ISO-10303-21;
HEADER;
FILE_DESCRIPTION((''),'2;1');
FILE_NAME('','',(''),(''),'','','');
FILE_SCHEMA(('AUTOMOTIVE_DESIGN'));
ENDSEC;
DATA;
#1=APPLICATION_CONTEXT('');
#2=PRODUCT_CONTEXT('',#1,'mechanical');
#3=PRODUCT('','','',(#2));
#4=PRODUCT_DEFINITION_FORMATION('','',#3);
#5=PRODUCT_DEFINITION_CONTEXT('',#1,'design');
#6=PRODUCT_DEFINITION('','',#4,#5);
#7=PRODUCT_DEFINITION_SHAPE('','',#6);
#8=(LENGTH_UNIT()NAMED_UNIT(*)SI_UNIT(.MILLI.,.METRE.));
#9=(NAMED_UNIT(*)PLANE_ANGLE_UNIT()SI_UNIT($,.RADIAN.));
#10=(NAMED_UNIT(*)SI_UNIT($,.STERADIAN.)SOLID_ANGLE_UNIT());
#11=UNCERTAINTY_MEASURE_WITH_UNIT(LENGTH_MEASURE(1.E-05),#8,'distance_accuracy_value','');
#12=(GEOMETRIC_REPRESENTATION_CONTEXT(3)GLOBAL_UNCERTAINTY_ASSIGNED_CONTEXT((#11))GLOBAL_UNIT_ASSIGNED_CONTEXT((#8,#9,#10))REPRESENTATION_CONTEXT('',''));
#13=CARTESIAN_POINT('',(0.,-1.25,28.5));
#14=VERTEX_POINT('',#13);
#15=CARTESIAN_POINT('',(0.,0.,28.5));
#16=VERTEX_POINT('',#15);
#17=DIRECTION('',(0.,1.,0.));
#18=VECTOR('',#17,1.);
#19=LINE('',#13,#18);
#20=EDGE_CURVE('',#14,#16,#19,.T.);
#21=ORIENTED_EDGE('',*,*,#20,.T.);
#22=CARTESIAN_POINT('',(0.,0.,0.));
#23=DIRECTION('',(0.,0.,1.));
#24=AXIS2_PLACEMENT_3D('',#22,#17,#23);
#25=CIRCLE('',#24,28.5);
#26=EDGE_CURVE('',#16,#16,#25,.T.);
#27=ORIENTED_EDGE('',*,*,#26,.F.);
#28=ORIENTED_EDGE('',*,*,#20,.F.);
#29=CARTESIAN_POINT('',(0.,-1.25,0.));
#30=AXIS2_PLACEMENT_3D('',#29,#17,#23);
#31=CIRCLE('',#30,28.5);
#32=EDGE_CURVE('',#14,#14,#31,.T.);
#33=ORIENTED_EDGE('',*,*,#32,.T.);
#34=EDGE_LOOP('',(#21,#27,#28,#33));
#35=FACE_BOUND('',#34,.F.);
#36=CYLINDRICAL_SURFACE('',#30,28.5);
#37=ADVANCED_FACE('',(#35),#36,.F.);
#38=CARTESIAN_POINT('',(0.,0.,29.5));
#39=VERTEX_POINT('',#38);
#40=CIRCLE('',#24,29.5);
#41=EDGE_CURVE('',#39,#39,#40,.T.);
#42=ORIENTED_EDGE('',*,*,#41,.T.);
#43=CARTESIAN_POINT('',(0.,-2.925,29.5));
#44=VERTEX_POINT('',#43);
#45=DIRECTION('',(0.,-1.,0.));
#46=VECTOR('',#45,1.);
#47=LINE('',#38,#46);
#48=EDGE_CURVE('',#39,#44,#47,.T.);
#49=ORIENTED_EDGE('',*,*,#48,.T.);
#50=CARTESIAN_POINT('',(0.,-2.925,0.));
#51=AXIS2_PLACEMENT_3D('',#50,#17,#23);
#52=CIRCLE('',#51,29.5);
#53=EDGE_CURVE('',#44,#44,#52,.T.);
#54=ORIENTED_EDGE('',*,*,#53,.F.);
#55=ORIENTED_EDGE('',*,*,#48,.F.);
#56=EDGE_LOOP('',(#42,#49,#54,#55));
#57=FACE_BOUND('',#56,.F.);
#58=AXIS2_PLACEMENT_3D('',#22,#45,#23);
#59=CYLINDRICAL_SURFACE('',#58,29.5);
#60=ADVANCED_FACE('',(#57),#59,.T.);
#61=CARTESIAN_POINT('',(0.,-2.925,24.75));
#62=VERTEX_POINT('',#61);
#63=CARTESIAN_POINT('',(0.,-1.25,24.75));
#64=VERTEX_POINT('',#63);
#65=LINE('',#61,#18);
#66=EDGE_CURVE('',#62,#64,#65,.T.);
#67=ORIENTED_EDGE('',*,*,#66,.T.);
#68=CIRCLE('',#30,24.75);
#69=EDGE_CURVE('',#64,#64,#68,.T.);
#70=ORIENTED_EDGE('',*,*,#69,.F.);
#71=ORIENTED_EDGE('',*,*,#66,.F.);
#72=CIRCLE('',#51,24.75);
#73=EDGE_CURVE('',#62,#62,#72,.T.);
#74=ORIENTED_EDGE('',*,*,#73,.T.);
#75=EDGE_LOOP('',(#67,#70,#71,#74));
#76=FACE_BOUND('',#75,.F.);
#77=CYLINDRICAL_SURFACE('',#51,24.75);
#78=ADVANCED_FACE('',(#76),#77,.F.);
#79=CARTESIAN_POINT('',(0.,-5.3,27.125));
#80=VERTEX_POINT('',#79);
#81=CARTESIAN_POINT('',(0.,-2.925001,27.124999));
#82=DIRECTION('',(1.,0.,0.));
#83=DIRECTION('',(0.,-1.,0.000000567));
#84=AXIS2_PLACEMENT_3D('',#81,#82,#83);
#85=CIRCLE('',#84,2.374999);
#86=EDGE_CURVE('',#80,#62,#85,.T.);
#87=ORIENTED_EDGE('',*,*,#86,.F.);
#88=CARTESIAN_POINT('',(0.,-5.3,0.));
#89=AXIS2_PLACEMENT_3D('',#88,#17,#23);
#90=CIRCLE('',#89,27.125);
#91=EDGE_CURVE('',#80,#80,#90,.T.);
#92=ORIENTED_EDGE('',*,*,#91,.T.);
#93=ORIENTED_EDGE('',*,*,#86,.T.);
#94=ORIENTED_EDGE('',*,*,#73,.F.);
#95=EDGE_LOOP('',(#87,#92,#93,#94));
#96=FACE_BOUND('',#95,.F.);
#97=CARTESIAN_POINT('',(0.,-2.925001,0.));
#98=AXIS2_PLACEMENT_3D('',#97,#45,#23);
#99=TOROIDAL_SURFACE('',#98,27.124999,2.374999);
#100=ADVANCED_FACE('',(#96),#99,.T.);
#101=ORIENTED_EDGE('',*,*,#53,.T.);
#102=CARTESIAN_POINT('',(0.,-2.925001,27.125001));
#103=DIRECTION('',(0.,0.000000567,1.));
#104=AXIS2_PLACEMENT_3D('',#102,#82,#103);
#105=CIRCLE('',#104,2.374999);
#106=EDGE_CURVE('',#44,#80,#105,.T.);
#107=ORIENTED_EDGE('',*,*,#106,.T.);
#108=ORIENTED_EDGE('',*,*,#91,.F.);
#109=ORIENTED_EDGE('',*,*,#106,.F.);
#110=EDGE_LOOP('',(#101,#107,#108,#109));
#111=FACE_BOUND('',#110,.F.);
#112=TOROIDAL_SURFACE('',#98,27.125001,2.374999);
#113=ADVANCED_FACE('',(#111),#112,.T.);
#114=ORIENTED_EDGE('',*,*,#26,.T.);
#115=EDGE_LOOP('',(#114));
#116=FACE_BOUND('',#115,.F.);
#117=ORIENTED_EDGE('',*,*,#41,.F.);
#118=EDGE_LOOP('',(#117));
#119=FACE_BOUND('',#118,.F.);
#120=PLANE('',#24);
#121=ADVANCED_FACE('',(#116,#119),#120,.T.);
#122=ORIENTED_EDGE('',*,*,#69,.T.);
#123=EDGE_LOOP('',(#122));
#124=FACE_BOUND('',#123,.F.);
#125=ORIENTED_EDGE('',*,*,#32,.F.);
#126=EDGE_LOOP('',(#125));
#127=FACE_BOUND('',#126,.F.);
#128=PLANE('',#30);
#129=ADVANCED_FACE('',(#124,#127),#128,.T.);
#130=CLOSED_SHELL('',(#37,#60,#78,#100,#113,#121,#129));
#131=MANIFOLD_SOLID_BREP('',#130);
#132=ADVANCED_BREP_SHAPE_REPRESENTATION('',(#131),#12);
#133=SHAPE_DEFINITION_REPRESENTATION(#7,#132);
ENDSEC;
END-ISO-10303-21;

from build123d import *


with BuildPart() as f1:
    # F0 (on Right) → F1 (revolve)
    with BuildSketch(Plane.YZ):
        with BuildLine():
            Line((0, 28.5), (0, 29.5))
            Line((0, 29.5), (-2.925, 29.5))
            ThreePointArc((-2.925, 29.5), (-4.604379, 28.804379), (-5.3, 27.125))
            ThreePointArc((-5.3, 27.125), (-4.604379, 25.445621), (-2.925, 24.75))
            Line((-2.925, 24.75), (-1.25, 24.75))
            Line((-1.25, 24.75), (-1.25, 28.5))
            Line((-1.25, 28.5), (0, 28.5))
        make_face()
    revolve(axis=Axis((0, 2.962791, 0), (0, 1, 0)))


solid = f1.part
